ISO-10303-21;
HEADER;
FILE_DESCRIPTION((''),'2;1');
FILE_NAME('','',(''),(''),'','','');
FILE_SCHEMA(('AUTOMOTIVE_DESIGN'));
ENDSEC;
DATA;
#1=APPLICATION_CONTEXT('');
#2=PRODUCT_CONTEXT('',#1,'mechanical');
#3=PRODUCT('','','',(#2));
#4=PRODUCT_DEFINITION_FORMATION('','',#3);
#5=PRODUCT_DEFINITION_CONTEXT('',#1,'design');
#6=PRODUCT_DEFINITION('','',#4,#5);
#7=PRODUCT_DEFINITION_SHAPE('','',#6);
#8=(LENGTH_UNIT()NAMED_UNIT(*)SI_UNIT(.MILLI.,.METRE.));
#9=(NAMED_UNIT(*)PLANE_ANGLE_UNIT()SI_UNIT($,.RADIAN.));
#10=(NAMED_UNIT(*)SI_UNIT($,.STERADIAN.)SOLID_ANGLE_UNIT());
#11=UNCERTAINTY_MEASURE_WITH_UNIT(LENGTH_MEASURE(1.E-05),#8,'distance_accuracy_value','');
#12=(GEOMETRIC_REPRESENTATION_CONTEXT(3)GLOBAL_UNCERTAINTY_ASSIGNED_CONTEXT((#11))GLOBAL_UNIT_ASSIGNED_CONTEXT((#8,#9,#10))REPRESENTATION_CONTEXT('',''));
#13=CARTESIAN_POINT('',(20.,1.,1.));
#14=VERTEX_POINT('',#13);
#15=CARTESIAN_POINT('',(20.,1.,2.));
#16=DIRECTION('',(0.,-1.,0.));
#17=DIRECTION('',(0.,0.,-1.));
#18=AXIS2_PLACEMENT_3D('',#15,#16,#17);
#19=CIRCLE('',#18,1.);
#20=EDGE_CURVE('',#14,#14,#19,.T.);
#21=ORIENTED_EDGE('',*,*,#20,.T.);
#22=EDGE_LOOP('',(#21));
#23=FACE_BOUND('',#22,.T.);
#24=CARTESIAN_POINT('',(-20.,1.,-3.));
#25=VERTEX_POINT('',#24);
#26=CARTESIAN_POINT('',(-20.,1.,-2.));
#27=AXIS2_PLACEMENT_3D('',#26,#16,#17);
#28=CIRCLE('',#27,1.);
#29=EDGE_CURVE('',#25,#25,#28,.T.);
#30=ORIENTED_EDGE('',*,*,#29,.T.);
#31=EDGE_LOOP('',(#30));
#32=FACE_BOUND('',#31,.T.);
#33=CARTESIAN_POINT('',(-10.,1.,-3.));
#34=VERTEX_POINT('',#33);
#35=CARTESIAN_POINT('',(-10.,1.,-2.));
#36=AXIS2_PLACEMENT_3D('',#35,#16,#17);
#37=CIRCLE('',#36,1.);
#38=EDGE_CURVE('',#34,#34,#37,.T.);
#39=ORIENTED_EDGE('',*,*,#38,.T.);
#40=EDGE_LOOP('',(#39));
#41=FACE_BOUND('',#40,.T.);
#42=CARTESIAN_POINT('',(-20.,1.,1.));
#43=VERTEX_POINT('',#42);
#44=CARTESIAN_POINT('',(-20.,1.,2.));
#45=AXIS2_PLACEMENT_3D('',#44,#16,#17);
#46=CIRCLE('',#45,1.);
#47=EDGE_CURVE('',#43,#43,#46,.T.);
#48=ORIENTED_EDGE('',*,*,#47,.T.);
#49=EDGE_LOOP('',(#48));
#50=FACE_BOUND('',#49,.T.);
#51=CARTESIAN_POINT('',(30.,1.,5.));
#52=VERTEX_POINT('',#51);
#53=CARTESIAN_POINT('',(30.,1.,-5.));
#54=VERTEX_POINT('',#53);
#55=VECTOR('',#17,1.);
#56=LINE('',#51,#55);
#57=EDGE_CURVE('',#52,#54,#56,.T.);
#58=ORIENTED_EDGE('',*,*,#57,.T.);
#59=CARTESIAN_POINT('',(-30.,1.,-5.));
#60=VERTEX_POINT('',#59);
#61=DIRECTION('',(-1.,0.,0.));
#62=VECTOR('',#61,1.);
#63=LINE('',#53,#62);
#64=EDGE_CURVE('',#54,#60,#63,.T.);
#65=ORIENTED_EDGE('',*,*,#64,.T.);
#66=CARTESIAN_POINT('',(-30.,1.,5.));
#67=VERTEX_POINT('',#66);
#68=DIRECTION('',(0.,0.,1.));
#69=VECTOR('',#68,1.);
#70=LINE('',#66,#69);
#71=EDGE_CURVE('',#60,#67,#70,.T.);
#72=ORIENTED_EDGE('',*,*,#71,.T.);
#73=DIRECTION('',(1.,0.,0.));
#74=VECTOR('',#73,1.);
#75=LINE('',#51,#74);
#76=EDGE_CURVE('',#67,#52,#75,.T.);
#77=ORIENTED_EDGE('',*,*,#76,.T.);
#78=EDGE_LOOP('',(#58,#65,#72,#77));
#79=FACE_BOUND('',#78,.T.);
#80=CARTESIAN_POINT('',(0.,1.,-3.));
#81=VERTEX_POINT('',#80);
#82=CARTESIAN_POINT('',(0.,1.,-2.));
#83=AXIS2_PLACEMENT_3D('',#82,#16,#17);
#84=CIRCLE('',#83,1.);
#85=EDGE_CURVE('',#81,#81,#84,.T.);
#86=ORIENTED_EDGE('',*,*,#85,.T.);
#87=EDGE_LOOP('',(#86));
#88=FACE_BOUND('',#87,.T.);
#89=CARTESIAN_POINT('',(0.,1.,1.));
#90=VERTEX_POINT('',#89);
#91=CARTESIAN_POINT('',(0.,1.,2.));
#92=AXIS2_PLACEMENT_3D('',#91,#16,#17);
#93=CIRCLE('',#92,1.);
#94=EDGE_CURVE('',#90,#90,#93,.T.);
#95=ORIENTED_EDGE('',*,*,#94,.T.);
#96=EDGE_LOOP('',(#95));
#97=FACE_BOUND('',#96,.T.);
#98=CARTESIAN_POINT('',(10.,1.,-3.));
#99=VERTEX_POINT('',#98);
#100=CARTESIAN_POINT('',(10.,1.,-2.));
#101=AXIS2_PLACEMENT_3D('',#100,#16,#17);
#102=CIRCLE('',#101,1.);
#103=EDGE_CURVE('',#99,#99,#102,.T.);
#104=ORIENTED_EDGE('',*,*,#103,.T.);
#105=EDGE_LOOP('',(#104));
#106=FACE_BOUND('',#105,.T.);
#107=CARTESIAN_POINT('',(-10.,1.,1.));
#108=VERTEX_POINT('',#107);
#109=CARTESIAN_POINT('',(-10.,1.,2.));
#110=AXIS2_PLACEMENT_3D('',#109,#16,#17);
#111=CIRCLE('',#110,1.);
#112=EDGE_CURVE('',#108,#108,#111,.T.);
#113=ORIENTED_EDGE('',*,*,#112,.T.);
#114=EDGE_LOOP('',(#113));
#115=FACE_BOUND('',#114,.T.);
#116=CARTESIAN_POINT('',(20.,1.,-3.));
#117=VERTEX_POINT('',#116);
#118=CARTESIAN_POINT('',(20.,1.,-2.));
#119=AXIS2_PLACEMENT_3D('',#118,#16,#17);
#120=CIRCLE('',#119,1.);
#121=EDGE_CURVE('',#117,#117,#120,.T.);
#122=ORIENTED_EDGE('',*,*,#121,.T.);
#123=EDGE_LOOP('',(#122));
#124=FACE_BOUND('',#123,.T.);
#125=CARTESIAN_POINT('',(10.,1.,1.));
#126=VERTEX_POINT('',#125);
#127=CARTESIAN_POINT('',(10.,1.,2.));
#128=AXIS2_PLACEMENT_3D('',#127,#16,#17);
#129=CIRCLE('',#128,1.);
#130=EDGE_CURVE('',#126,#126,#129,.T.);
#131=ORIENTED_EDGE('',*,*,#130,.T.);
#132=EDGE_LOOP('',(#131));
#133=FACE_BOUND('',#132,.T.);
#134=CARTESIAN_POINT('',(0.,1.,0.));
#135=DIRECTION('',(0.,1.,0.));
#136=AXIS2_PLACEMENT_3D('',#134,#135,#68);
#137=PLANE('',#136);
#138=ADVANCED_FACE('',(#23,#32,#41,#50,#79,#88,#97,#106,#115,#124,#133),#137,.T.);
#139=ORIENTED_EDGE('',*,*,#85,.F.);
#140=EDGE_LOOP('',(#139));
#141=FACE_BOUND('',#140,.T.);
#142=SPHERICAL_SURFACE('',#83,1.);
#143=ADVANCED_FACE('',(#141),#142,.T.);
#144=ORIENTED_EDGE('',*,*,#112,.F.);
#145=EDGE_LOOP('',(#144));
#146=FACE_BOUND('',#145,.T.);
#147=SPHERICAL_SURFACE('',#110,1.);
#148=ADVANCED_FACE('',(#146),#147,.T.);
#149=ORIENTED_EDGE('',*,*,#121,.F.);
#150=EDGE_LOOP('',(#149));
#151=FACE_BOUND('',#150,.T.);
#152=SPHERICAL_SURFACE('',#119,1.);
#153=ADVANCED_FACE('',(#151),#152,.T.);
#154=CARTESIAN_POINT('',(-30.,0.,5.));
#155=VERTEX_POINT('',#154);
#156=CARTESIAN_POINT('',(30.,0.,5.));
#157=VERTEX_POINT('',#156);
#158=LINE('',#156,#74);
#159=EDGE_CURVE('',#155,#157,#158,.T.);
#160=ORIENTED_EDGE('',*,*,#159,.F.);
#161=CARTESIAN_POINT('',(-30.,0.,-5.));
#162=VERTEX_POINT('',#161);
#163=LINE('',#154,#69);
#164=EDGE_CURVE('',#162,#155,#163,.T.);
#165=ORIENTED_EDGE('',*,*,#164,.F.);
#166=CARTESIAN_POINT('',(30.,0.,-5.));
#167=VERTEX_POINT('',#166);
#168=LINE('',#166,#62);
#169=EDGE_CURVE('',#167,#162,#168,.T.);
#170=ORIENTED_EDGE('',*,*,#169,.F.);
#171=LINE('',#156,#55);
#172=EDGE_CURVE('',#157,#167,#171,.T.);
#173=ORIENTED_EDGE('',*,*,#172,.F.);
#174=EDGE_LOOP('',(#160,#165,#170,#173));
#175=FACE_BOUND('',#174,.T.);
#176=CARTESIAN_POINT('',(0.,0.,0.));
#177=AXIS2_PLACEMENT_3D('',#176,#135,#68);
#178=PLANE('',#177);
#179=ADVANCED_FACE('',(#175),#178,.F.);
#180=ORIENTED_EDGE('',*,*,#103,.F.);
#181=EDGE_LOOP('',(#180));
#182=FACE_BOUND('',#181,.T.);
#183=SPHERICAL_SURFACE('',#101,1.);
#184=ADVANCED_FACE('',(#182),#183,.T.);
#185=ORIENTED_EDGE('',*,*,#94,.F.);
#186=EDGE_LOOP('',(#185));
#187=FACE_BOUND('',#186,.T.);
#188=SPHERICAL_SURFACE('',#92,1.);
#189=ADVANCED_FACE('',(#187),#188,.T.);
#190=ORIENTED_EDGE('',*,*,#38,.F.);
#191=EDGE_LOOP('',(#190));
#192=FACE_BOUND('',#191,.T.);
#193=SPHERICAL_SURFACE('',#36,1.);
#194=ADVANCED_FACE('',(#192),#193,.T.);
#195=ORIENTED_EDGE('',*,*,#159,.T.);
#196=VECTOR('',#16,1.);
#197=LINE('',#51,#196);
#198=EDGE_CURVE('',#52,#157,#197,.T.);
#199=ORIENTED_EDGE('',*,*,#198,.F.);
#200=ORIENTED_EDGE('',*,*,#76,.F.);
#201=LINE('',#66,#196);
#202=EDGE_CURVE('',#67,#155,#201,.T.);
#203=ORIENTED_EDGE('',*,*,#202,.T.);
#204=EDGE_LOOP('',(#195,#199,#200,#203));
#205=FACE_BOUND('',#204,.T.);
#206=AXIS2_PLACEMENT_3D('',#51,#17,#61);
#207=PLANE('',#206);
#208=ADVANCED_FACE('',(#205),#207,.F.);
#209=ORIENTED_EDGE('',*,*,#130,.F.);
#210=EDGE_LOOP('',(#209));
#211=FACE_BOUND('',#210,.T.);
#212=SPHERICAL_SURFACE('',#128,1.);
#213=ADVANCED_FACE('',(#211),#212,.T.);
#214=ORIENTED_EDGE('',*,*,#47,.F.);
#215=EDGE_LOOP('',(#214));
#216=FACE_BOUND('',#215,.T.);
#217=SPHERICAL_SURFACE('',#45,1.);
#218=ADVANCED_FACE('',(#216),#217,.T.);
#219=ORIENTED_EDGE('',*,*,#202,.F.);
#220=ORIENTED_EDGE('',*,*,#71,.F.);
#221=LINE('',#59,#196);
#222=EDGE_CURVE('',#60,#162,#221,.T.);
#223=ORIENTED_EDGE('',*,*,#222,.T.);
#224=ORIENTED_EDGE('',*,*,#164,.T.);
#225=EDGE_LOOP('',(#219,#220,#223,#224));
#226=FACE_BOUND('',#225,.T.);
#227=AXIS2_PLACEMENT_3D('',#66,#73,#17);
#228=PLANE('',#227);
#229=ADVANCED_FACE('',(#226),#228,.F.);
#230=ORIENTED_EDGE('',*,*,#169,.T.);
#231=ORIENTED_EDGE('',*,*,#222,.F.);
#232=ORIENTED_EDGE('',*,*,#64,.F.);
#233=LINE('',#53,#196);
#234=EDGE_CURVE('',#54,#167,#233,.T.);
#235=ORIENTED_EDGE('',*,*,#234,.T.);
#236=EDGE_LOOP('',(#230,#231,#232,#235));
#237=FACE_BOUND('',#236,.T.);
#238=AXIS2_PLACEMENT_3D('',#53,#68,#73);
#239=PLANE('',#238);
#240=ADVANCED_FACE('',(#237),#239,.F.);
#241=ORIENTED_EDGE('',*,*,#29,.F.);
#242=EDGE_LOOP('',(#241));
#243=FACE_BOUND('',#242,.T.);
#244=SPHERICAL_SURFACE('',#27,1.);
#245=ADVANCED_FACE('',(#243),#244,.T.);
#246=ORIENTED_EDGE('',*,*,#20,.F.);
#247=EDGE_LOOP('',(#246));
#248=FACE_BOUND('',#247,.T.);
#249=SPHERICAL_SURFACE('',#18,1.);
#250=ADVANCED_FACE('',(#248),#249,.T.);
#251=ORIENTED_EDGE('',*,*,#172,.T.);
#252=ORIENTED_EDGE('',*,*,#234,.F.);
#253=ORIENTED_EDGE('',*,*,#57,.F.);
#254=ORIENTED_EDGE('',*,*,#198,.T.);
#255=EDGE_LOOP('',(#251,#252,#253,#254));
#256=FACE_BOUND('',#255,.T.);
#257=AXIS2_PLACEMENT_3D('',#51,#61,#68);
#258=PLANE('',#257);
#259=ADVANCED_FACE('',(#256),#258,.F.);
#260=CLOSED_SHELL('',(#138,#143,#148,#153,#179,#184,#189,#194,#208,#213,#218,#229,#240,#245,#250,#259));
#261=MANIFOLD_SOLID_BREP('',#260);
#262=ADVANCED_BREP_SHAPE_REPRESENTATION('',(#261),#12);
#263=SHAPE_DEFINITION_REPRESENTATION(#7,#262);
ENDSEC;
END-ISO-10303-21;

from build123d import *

# Parameters (mm, degrees)
SKETCH1_W               = 60
SKETCH1_H               = 10
BOSS_EXTRUDE1_DEPTH     = 1
REVOLVE1_ANGLE          = 180
LPATTERN1_COUNT         = 3
LPATTERN1_PITCH         = 10
LPATTERN1_COUNT_DIR2    = 2
LPATTERN1_PITCH_DIR2    = 4
LPATTERN2_COUNT         = 3
LPATTERN2_PITCH         = 10
LPATTERN2_COPY_1_ANGLE  = 180
LPATTERN2_COPY_2_ANGLE  = 180
LPATTERN2_COPY_3_ANGLE  = 180
LPATTERN2_COPY_4_ANGLE  = 180
LPATTERN2_COPY_5_ANGLE  = 180
LPATTERN2_COPY_6_ANGLE  = 180
LPATTERN2_COPY_7_ANGLE  = 180
LPATTERN2_COPY_8_ANGLE  = 180
LPATTERN2_COPY_9_ANGLE  = 180
LPATTERN2_COPY_10_ANGLE = 180


with BuildPart() as part:
    # Sketch1 → Boss-Extrude1 (new body)
    with BuildSketch(Plane(origin=(0, 0, 0), x_dir=(1, 0, 0), z_dir=(0, 1, 0))):
        Rectangle(SKETCH1_W, SKETCH1_H)
    extrude(amount=BOSS_EXTRUDE1_DEPTH)

    # Sketch3 → Revolve1 (revolve)
    with BuildSketch(Plane(origin=(0, 1, 0), x_dir=(1, 0, 0), z_dir=(0, 1, 0))):
        with BuildLine():
            Line((-1, -2), (1, -2))
            ThreePointArc((1, -2), (0, -3), (-1, -2))
        make_face()
    revolve1 = revolve(axis=Axis((-1, 1, 2), (-1, 0, 0)), revolution_arc=REVOLVE1_ANGLE)

    # LPattern1: Revolve1 3 × 2
    with Locations(*[(-i * LPATTERN1_PITCH, 0, -j * LPATTERN1_PITCH_DIR2) for i in range(LPATTERN1_COUNT) for j in range(LPATTERN1_COUNT_DIR2) if (i, j) != (0, 0)]):
        add(revolve1)

    # LPattern2: Revolve1 ×3
    with Locations(*[(i * LPATTERN2_PITCH, 0, 0) for i in range(1, LPATTERN2_COUNT)]):
        add(revolve1)

    # LPattern2 copy 1 sketch → LPattern2 copy 1 (revolve)
    with BuildSketch(Plane(origin=(10, 1, -4), x_dir=(1, 0, 0), z_dir=(0, 1, 0))):
        with BuildLine():
            Line((-1, -2), (1, -2))
            ThreePointArc((1, -2), (0, -3), (-1, -2))
        make_face()
    revolve(axis=Axis((9, 1, -2), (-1, 0, 0)), revolution_arc=LPATTERN2_COPY_1_ANGLE)

    # LPattern2 copy 2 sketch → LPattern2 copy 2 (revolve)
    with BuildSketch(Plane(origin=(20, 1, -4), x_dir=(1, 0, 0), z_dir=(0, 1, 0))):
        with BuildLine():
            Line((-1, -2), (1, -2))
            ThreePointArc((1, -2), (0, -3), (-1, -2))
        make_face()
    revolve(axis=Axis((19, 1, -2), (-1, 0, 0)), revolution_arc=LPATTERN2_COPY_2_ANGLE)

    # LPattern2 copy 3 sketch → LPattern2 copy 3 (revolve)
    with BuildSketch(Plane(origin=(0, 1, 0), x_dir=(1, 0, 0), z_dir=(0, 1, 0))):
        with BuildLine():
            Line((-1, -2), (1, -2))
            ThreePointArc((1, -2), (0, -3), (-1, -2))
        make_face()
    revolve(axis=Axis((-1, 1, 2), (-1, 0, 0)), revolution_arc=LPATTERN2_COPY_3_ANGLE)

    # LPattern2 copy 4 sketch → LPattern2 copy 4 (revolve)
    with BuildSketch(Plane(origin=(10, 1, 0), x_dir=(1, 0, 0), z_dir=(0, 1, 0))):
        with BuildLine():
            Line((-1, -2), (1, -2))
            ThreePointArc((1, -2), (0, -3), (-1, -2))
        make_face()
    revolve(axis=Axis((9, 1, 2), (-1, 0, 0)), revolution_arc=LPATTERN2_COPY_4_ANGLE)

    # LPattern2 copy 5 sketch → LPattern2 copy 5 (revolve)
    with BuildSketch(Plane(origin=(0, 1, -4), x_dir=(1, 0, 0), z_dir=(0, 1, 0))):
        with BuildLine():
            Line((-1, -2), (1, -2))
            ThreePointArc((1, -2), (0, -3), (-1, -2))
        make_face()
    revolve(axis=Axis((-1, 1, -2), (-1, 0, 0)), revolution_arc=LPATTERN2_COPY_5_ANGLE)

    # LPattern2 copy 6 sketch → LPattern2 copy 6 (revolve)
    with BuildSketch(Plane(origin=(10, 1, -4), x_dir=(1, 0, 0), z_dir=(0, 1, 0))):
        with BuildLine():
            Line((-1, -2), (1, -2))
            ThreePointArc((1, -2), (0, -3), (-1, -2))
        make_face()
    revolve(axis=Axis((9, 1, -2), (-1, 0, 0)), revolution_arc=LPATTERN2_COPY_6_ANGLE)

    # LPattern2 copy 7 sketch → LPattern2 copy 7 (revolve)
    with BuildSketch(Plane(origin=(-10, 1, 0), x_dir=(1, 0, 0), z_dir=(0, 1, 0))):
        with BuildLine():
            Line((-1, -2), (1, -2))
            ThreePointArc((1, -2), (0, -3), (-1, -2))
        make_face()
    revolve(axis=Axis((-11, 1, 2), (-1, 0, 0)), revolution_arc=LPATTERN2_COPY_7_ANGLE)

    # LPattern2 copy 8 sketch → LPattern2 copy 8 (revolve)
    with BuildSketch(Plane(origin=(0, 1, 0), x_dir=(1, 0, 0), z_dir=(0, 1, 0))):
        with BuildLine():
            Line((-1, -2), (1, -2))
            ThreePointArc((1, -2), (0, -3), (-1, -2))
        make_face()
    revolve(axis=Axis((-1, 1, 2), (-1, 0, 0)), revolution_arc=LPATTERN2_COPY_8_ANGLE)

    # LPattern2 copy 9 sketch → LPattern2 copy 9 (revolve)
    with BuildSketch(Plane(origin=(-10, 1, -4), x_dir=(1, 0, 0), z_dir=(0, 1, 0))):
        with BuildLine():
            Line((-1, -2), (1, -2))
            ThreePointArc((1, -2), (0, -3), (-1, -2))
        make_face()
    revolve(axis=Axis((-11, 1, -2), (-1, 0, 0)), revolution_arc=LPATTERN2_COPY_9_ANGLE)

    # LPattern2 copy 10 sketch → LPattern2 copy 10 (revolve)
    with BuildSketch(Plane(origin=(0, 1, -4), x_dir=(1, 0, 0), z_dir=(0, 1, 0))):
        with BuildLine():
            Line((-1, -2), (1, -2))
            ThreePointArc((1, -2), (0, -3), (-1, -2))
        make_face()
    revolve(axis=Axis((-1, 1, -2), (-1, 0, 0)), revolution_arc=LPATTERN2_COPY_10_ANGLE)


solid = part.part
